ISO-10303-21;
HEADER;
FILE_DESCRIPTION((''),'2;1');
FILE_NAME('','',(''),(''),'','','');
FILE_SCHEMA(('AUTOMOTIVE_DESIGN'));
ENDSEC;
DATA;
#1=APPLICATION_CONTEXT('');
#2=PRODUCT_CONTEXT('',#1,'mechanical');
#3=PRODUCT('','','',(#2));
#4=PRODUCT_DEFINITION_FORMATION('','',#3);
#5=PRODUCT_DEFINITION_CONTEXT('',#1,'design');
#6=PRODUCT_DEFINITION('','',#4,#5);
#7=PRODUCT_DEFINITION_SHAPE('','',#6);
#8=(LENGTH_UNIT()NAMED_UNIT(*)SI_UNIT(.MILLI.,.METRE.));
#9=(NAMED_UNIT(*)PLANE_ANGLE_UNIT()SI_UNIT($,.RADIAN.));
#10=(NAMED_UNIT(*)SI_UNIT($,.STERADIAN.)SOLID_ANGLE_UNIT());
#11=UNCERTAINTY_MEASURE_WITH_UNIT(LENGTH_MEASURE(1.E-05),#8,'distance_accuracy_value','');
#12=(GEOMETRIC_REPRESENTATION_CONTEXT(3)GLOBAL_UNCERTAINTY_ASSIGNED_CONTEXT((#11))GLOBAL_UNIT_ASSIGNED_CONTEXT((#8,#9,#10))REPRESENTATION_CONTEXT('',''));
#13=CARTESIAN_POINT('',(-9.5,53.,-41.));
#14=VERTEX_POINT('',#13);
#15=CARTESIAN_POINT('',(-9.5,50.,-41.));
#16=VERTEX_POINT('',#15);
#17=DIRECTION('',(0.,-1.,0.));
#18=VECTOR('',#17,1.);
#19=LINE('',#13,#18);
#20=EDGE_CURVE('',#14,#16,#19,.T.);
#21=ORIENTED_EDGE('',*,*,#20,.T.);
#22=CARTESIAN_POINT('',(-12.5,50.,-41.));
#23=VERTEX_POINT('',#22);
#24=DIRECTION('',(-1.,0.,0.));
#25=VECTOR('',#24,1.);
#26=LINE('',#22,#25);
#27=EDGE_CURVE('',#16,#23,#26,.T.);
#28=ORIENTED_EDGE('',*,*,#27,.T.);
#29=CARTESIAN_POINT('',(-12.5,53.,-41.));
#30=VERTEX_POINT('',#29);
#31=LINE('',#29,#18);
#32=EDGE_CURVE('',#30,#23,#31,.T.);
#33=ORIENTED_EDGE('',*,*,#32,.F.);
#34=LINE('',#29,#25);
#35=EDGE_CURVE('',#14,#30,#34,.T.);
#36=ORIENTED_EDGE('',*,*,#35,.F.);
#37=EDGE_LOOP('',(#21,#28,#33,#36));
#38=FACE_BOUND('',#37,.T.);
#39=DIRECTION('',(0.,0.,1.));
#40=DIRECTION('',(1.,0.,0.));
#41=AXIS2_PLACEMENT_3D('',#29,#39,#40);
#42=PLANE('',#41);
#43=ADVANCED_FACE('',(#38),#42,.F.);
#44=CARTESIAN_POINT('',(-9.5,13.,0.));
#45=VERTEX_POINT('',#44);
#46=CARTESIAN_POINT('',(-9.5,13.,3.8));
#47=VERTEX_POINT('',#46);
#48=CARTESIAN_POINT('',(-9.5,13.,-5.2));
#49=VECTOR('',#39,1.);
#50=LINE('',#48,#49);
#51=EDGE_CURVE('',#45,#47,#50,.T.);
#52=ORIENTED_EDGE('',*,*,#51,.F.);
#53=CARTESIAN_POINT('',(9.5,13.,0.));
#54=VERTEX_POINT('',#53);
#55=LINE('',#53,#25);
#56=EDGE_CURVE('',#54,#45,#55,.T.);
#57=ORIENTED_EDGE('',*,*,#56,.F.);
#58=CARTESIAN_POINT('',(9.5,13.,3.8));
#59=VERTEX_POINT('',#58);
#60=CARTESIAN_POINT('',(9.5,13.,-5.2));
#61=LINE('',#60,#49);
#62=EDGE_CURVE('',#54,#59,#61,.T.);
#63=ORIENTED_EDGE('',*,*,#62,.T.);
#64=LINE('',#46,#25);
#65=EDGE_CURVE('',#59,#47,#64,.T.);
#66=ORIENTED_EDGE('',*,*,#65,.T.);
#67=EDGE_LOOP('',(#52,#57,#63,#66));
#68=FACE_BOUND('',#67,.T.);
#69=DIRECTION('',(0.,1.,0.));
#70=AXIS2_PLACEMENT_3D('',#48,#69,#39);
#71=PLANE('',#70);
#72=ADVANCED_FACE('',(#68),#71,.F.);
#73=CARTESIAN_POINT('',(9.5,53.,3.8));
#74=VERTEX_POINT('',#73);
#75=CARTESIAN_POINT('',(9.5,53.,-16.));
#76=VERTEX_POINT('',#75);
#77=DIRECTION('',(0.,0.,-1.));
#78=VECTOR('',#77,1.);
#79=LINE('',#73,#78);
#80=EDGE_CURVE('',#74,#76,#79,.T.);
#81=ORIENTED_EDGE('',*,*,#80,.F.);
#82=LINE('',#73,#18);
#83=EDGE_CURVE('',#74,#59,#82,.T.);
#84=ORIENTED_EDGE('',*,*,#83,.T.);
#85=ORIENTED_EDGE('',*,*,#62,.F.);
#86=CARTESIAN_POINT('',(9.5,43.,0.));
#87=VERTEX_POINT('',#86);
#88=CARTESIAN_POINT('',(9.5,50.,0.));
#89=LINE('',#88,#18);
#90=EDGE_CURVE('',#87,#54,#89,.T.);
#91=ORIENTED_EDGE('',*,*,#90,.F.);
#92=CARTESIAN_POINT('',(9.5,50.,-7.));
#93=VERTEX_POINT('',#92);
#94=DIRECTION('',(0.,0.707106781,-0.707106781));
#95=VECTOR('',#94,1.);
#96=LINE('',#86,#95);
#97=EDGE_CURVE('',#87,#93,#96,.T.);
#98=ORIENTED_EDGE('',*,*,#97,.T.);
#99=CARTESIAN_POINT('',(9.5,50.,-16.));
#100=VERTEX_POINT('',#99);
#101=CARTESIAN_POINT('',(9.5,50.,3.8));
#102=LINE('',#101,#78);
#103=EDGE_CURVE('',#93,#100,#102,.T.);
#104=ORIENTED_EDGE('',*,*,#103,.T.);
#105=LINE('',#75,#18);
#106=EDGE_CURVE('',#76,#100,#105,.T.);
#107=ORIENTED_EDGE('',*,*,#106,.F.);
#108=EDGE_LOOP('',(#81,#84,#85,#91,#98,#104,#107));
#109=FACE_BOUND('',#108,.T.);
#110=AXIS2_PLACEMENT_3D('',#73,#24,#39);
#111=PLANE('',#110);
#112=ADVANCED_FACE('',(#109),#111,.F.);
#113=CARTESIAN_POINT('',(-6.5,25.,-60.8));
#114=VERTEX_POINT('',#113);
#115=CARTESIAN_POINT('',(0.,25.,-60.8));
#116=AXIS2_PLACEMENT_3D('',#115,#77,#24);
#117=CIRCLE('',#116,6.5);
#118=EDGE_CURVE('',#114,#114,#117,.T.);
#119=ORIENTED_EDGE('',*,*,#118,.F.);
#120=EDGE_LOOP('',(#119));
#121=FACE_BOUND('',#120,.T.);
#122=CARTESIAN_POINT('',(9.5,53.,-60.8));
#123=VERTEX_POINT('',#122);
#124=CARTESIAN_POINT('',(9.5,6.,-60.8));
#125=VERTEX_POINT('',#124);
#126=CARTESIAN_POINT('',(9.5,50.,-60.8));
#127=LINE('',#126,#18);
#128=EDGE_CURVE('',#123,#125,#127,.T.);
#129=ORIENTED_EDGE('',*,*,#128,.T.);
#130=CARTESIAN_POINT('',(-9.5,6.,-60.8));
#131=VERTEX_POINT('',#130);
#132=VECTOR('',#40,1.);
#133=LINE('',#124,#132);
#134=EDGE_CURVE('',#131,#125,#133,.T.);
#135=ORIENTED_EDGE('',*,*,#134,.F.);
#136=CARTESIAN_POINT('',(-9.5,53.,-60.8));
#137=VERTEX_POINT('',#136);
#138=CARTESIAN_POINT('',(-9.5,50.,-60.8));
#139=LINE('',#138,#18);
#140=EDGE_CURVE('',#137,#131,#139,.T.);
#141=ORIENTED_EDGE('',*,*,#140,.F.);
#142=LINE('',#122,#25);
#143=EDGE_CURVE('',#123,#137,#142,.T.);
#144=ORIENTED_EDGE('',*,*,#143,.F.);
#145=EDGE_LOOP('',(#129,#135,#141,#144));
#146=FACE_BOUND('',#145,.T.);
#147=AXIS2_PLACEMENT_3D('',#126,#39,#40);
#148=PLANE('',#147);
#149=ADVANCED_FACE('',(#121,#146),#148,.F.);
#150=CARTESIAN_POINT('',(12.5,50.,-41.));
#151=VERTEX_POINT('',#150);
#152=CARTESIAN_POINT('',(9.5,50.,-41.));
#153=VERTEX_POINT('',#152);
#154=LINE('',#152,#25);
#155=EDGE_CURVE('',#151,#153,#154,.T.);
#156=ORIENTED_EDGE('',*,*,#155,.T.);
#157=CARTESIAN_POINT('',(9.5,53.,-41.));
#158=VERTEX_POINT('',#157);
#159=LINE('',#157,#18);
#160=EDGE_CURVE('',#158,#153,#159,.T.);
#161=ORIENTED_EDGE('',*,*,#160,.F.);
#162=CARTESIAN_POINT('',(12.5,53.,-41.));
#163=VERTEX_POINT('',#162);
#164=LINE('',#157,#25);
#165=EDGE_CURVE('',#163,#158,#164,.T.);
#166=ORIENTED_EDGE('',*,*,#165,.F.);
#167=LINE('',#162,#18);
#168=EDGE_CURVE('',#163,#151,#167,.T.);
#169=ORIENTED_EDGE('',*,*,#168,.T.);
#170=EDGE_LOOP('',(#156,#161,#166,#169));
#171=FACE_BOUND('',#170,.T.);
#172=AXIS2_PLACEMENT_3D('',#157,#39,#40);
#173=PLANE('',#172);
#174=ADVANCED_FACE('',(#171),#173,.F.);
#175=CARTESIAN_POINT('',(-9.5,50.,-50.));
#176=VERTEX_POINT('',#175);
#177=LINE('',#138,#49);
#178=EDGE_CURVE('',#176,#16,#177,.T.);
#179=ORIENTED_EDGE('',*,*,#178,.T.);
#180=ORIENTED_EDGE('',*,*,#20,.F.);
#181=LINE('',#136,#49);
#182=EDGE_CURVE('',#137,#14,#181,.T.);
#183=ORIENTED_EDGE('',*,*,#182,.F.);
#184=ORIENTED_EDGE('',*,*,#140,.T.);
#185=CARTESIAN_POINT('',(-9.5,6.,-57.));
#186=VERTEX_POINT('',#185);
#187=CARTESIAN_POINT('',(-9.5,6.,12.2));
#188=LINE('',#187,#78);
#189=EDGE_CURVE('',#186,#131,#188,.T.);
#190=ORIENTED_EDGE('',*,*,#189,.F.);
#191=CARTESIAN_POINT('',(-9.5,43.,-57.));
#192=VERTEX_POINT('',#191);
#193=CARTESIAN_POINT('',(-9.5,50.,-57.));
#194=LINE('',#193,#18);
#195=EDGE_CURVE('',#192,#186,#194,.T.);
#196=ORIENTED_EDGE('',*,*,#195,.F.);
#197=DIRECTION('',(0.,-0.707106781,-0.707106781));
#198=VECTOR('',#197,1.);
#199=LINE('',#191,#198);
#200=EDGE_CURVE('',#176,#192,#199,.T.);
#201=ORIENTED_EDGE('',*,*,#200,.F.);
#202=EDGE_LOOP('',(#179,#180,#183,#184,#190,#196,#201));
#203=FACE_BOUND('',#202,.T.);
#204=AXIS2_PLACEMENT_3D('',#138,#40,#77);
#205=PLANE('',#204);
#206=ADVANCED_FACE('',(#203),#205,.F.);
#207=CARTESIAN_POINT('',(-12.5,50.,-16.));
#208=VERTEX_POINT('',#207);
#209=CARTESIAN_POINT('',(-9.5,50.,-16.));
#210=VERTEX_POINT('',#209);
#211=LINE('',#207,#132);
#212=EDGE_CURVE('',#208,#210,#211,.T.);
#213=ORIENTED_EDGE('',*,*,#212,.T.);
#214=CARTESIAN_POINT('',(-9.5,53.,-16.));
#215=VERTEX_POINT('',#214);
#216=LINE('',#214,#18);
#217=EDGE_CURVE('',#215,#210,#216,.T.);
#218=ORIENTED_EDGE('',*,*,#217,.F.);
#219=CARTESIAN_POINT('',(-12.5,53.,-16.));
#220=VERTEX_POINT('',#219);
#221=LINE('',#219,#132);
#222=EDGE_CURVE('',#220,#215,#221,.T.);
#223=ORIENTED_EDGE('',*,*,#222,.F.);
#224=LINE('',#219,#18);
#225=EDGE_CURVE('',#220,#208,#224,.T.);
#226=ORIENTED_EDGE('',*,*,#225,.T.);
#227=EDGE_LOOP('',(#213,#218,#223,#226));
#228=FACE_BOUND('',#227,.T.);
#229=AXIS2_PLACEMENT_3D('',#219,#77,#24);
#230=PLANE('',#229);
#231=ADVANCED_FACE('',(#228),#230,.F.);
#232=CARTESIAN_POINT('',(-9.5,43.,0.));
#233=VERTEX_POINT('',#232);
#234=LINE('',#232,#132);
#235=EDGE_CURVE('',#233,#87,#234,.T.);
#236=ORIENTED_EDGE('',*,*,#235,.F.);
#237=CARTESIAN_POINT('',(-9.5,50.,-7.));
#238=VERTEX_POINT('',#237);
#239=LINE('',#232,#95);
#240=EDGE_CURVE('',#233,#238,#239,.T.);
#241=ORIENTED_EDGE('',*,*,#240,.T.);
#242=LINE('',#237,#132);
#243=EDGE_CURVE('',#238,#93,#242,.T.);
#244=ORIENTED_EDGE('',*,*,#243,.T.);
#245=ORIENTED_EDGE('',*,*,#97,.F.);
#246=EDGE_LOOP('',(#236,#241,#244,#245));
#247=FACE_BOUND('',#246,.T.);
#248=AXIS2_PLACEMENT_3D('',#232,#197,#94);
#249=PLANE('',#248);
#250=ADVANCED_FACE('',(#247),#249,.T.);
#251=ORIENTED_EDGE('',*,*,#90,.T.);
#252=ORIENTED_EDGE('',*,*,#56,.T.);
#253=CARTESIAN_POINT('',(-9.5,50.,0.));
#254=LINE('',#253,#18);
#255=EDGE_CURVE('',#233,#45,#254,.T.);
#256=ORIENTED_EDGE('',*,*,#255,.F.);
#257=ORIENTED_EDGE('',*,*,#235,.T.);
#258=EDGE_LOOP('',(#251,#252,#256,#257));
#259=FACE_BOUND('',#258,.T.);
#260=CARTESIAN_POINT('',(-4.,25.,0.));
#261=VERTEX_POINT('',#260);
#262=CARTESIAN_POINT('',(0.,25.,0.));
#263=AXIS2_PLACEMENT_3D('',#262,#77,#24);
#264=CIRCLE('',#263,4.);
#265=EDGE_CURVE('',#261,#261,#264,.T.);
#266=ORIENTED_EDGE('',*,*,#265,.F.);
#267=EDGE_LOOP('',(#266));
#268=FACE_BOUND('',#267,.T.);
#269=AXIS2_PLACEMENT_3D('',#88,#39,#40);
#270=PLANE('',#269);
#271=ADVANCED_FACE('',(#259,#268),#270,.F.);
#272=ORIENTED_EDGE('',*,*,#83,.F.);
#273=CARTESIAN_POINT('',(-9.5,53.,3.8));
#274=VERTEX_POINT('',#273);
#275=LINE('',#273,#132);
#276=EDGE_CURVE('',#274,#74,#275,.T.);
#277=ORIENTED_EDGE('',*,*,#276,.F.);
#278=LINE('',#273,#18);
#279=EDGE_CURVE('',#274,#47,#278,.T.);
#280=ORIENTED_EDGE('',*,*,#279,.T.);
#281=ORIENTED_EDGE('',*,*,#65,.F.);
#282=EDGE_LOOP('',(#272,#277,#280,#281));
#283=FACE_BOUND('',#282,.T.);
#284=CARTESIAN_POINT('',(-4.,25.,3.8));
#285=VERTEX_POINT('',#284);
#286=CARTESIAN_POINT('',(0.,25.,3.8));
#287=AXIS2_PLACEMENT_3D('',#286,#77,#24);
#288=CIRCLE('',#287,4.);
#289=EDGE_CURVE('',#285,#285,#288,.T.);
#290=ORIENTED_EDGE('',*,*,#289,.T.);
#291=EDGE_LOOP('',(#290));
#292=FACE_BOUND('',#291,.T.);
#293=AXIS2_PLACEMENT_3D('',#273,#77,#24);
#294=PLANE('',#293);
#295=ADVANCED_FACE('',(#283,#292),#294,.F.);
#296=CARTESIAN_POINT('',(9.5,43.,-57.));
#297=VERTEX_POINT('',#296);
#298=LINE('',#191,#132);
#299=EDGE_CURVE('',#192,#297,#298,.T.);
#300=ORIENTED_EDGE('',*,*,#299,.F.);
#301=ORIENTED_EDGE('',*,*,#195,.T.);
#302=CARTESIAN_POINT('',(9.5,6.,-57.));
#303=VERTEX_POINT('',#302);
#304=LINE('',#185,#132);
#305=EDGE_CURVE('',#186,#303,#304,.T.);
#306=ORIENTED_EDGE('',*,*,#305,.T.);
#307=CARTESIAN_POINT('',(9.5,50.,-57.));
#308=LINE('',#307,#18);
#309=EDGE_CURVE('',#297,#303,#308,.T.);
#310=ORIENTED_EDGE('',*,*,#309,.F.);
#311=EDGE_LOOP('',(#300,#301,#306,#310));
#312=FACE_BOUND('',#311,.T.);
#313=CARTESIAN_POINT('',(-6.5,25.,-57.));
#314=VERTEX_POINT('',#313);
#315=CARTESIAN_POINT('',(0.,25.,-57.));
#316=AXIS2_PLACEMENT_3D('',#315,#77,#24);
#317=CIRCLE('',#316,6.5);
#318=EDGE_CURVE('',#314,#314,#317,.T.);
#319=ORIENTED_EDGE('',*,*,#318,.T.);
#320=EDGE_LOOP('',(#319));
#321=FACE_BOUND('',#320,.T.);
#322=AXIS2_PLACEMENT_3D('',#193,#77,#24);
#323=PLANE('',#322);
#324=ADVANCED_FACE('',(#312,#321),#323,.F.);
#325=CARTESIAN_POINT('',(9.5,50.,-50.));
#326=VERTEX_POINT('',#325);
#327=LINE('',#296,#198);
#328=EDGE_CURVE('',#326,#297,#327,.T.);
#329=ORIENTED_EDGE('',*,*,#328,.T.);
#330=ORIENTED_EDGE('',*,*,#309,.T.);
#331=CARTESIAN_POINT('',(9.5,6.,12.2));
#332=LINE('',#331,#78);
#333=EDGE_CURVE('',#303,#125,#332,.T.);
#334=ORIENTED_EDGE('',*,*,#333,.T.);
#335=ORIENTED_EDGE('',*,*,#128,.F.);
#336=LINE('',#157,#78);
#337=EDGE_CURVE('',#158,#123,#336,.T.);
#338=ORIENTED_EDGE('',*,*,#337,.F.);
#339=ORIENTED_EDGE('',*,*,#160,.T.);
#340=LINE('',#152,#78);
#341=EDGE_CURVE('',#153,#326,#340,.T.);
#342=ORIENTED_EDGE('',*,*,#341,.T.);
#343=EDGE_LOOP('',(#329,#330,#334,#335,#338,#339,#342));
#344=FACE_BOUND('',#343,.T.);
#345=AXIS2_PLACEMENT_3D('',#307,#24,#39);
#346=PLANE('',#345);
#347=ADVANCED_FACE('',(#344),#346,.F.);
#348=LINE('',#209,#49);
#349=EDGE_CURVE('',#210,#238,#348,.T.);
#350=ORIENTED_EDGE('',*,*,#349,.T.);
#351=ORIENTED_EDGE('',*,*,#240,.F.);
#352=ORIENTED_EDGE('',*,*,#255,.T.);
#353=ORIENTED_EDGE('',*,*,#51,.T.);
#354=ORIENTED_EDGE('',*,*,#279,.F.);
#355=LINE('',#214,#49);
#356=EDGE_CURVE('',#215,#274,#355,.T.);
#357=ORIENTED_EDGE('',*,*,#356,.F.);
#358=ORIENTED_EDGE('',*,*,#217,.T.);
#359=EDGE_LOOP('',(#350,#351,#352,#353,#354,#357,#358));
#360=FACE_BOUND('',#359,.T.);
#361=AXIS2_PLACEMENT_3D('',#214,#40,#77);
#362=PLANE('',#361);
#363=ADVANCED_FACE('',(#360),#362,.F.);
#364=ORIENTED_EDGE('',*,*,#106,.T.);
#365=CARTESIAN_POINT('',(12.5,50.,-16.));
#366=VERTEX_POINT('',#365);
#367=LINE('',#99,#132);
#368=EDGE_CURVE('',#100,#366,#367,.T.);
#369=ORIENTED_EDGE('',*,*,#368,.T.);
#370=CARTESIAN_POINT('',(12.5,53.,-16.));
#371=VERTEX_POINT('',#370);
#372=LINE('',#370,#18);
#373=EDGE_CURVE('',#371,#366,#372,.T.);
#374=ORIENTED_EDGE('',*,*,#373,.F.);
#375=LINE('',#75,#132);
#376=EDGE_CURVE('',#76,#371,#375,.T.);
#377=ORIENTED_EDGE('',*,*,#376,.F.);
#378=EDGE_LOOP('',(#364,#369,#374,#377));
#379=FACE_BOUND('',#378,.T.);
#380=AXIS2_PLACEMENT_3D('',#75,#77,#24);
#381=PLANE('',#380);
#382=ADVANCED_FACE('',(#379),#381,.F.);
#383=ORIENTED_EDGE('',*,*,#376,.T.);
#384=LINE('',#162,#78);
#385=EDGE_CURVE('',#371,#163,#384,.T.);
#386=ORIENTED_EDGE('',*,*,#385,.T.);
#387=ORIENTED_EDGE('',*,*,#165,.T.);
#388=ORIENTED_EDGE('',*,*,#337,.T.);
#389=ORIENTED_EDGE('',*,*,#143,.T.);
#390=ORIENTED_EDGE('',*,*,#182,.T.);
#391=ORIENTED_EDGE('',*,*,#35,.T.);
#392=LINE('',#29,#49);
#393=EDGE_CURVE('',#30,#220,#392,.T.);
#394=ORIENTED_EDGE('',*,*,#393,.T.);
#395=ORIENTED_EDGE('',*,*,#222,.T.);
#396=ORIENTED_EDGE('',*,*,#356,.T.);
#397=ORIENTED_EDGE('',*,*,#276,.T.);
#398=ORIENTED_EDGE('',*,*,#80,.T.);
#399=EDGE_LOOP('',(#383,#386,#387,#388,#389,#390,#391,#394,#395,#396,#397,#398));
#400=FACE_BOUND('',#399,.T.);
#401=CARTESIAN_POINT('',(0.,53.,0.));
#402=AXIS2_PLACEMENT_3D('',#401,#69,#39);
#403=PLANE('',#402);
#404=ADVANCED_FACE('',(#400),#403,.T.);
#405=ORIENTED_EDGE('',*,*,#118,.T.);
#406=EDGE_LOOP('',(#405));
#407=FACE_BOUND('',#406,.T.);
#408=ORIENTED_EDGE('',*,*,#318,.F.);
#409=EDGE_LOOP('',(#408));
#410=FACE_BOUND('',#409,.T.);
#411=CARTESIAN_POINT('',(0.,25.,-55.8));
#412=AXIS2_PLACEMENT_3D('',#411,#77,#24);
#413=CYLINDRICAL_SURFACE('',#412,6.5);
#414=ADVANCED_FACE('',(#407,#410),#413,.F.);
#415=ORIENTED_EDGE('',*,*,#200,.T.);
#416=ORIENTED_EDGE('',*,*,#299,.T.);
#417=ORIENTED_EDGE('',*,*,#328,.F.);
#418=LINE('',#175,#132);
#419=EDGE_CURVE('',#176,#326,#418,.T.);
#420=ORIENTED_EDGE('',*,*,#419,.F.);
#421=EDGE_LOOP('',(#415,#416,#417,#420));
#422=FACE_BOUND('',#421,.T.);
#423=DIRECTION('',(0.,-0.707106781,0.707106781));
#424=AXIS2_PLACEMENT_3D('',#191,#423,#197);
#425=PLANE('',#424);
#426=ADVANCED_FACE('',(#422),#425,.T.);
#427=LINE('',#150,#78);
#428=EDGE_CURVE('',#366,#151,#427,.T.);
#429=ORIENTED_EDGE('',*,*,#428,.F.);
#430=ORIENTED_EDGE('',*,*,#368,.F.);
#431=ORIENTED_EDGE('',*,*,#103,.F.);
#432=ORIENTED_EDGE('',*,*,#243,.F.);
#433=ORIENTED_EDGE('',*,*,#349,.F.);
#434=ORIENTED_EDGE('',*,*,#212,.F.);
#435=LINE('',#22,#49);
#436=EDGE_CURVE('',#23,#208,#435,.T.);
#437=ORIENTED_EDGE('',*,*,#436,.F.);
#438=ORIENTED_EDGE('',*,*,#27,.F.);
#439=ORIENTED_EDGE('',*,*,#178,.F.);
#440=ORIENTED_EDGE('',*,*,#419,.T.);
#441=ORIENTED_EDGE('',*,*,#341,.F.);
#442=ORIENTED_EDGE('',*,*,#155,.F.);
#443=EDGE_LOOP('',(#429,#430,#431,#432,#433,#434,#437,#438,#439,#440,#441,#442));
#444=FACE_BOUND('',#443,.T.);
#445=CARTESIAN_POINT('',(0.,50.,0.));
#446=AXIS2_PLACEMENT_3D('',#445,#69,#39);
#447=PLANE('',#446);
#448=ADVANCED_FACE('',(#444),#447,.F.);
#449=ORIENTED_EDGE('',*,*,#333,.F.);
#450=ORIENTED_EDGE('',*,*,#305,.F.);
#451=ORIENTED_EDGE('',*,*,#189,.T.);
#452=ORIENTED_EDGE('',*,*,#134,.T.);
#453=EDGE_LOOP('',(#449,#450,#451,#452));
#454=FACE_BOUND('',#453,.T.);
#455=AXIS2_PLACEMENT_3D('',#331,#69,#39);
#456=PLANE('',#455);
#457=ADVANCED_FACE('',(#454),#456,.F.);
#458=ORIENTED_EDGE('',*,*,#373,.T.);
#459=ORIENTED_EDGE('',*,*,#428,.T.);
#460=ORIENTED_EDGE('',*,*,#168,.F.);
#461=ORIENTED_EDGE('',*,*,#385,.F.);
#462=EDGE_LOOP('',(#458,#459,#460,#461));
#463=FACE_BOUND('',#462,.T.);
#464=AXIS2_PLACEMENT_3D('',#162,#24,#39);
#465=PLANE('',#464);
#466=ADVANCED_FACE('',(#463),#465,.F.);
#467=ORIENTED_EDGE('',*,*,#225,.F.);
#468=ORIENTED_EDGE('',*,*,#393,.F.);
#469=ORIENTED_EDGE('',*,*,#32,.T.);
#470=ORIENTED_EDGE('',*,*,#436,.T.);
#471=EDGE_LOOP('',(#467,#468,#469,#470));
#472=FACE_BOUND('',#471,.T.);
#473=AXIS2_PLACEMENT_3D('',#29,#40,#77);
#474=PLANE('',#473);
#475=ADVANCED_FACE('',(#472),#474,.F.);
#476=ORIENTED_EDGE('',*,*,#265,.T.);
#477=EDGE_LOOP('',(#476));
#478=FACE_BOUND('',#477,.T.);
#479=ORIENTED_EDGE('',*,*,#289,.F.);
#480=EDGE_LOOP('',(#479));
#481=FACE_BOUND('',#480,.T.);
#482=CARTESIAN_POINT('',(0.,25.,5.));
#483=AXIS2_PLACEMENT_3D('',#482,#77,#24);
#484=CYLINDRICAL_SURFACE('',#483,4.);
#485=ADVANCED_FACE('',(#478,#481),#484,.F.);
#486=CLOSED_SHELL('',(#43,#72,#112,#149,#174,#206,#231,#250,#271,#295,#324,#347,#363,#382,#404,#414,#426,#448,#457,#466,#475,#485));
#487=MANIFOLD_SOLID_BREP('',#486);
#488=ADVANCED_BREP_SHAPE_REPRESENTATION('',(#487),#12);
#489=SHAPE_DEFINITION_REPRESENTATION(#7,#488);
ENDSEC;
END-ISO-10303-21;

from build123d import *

# Parameters (mm, degrees)
IZIM1_W                       = 19
IZIM1_H                       = 3.8
Y_KSEKLIK_EKSTR_ZYON1_DEPTH   = 50
Y_KSEKLIK_EKSTR_ZYON1_2_DEPTH = 50
Y_KSEKLIK_EKSTR_ZYON2_DEPTH   = 3
IZIM3_R                       = 6.5
KES_EKSTR_ZYON1_DEPTH         = 5
IZIM4_R                       = 4
KES_EKSTR_ZYON2_DEPTH         = 5
IZIM5_W                       = 19
IZIM5_H                       = 6
KES_EKSTR_ZYON3_DEPTH         = 73
IZIM6_W                       = 19
IZIM6_H                       = 7
KES_EKSTR_ZYON4_DEPTH         = 9
Y_KSEKLIK_EKSTR_ZYON3_DEPTH   = 19


with BuildPart() as part:
    # Çizim1 → Yükseklik-Ekstrüzyon1 (new body)
    with BuildSketch(Plane(origin=(0, 0, 0), x_dir=(1, 0, 0), z_dir=(0, 1, 0))):
        with Locations((0, 58.9)):
            Rectangle(IZIM1_W, IZIM1_H)
    extrude(amount=Y_KSEKLIK_EKSTR_ZYON1_DEPTH)



with BuildPart() as body_2:
    # Çizim1 → Y_kseklik-Ekstr_zyon1 2 (new body)
    with BuildSketch(Plane(origin=(0, 0, 0), x_dir=(1, 0, 0), z_dir=(0, 1, 0))):
        with Locations((0, -1.9)):
            Rectangle(IZIM1_W, IZIM1_H)
    extrude(amount=Y_KSEKLIK_EKSTR_ZYON1_2_DEPTH)


with BuildPart() as part_1:
    add(part.part)

    add(body_2.part)  # Yükseklik-Ekstrüzyon2 merges body 2
    # Çizim2 → Yükseklik-Ekstrüzyon2 (add)
    with BuildSketch(Plane(origin=(0, 50, 0), x_dir=(1, 0, 0), z_dir=(0, 1, 0))):
        Polygon((-9.5, 60.8), (-9.5, 41), (-12.5, 41), (-12.5, 16), (-9.5, 16), (-9.5, -3.8), (9.5, -3.8), (9.5, 16), (12.5, 16), (12.5, 41), (9.5, 41), (9.5, 60.8), align=None)
    extrude(amount=Y_KSEKLIK_EKSTR_ZYON2_DEPTH)

    # Çizim3 → Kes-Ekstrüzyon1 (cut)
    with BuildSketch(Plane(origin=(0, 0, -60.8), x_dir=(-1, 0, 0), z_dir=(0, 0, -1))):
        with Locations((0, 25)):
            Circle(IZIM3_R)
    extrude(amount=-KES_EKSTR_ZYON1_DEPTH, mode=Mode.SUBTRACT)

    # Çizim4 → Kes-Ekstrüzyon2 (cut)
    with BuildSketch(Plane(origin=(0, 0, 0), x_dir=(-1, 0, 0), z_dir=(0, 0, -1))):
        with Locations((0, 25)):
            Circle(IZIM4_R)
    extrude(amount=-KES_EKSTR_ZYON2_DEPTH, mode=Mode.SUBTRACT)

    # Çizim5 → Kes-Ekstrüzyon3 (cut)
    with BuildSketch(Plane(origin=(0, 0, -60.8), x_dir=(-1, 0, 0), z_dir=(0, 0, -1))):
        with Locations((0, 3)):
            Rectangle(IZIM5_W, IZIM5_H)
    extrude(amount=-KES_EKSTR_ZYON3_DEPTH, mode=Mode.SUBTRACT)

    # Çizim6 → Kes-Ekstrüzyon4 (cut)
    with BuildSketch(Plane.XY.offset(3.8)):
        with Locations((0, 9.5)):
            Rectangle(IZIM6_W, IZIM6_H)
    extrude(amount=-KES_EKSTR_ZYON4_DEPTH, mode=Mode.SUBTRACT)

    # Çizim7 → Yükseklik-Ekstrüzyon3 (add)
    with BuildSketch(Plane(origin=(9.5, 0, 0), x_dir=(0, 0, -1), z_dir=(1, 0, 0))):
        Polygon((57, 50), (57, 43), (50, 50), align=None)
        Polygon((0, 50), (0, 43), (7, 50), align=None)
    extrude(amount=-Y_KSEKLIK_EKSTR_ZYON3_DEPTH)


solid = part_1.part
